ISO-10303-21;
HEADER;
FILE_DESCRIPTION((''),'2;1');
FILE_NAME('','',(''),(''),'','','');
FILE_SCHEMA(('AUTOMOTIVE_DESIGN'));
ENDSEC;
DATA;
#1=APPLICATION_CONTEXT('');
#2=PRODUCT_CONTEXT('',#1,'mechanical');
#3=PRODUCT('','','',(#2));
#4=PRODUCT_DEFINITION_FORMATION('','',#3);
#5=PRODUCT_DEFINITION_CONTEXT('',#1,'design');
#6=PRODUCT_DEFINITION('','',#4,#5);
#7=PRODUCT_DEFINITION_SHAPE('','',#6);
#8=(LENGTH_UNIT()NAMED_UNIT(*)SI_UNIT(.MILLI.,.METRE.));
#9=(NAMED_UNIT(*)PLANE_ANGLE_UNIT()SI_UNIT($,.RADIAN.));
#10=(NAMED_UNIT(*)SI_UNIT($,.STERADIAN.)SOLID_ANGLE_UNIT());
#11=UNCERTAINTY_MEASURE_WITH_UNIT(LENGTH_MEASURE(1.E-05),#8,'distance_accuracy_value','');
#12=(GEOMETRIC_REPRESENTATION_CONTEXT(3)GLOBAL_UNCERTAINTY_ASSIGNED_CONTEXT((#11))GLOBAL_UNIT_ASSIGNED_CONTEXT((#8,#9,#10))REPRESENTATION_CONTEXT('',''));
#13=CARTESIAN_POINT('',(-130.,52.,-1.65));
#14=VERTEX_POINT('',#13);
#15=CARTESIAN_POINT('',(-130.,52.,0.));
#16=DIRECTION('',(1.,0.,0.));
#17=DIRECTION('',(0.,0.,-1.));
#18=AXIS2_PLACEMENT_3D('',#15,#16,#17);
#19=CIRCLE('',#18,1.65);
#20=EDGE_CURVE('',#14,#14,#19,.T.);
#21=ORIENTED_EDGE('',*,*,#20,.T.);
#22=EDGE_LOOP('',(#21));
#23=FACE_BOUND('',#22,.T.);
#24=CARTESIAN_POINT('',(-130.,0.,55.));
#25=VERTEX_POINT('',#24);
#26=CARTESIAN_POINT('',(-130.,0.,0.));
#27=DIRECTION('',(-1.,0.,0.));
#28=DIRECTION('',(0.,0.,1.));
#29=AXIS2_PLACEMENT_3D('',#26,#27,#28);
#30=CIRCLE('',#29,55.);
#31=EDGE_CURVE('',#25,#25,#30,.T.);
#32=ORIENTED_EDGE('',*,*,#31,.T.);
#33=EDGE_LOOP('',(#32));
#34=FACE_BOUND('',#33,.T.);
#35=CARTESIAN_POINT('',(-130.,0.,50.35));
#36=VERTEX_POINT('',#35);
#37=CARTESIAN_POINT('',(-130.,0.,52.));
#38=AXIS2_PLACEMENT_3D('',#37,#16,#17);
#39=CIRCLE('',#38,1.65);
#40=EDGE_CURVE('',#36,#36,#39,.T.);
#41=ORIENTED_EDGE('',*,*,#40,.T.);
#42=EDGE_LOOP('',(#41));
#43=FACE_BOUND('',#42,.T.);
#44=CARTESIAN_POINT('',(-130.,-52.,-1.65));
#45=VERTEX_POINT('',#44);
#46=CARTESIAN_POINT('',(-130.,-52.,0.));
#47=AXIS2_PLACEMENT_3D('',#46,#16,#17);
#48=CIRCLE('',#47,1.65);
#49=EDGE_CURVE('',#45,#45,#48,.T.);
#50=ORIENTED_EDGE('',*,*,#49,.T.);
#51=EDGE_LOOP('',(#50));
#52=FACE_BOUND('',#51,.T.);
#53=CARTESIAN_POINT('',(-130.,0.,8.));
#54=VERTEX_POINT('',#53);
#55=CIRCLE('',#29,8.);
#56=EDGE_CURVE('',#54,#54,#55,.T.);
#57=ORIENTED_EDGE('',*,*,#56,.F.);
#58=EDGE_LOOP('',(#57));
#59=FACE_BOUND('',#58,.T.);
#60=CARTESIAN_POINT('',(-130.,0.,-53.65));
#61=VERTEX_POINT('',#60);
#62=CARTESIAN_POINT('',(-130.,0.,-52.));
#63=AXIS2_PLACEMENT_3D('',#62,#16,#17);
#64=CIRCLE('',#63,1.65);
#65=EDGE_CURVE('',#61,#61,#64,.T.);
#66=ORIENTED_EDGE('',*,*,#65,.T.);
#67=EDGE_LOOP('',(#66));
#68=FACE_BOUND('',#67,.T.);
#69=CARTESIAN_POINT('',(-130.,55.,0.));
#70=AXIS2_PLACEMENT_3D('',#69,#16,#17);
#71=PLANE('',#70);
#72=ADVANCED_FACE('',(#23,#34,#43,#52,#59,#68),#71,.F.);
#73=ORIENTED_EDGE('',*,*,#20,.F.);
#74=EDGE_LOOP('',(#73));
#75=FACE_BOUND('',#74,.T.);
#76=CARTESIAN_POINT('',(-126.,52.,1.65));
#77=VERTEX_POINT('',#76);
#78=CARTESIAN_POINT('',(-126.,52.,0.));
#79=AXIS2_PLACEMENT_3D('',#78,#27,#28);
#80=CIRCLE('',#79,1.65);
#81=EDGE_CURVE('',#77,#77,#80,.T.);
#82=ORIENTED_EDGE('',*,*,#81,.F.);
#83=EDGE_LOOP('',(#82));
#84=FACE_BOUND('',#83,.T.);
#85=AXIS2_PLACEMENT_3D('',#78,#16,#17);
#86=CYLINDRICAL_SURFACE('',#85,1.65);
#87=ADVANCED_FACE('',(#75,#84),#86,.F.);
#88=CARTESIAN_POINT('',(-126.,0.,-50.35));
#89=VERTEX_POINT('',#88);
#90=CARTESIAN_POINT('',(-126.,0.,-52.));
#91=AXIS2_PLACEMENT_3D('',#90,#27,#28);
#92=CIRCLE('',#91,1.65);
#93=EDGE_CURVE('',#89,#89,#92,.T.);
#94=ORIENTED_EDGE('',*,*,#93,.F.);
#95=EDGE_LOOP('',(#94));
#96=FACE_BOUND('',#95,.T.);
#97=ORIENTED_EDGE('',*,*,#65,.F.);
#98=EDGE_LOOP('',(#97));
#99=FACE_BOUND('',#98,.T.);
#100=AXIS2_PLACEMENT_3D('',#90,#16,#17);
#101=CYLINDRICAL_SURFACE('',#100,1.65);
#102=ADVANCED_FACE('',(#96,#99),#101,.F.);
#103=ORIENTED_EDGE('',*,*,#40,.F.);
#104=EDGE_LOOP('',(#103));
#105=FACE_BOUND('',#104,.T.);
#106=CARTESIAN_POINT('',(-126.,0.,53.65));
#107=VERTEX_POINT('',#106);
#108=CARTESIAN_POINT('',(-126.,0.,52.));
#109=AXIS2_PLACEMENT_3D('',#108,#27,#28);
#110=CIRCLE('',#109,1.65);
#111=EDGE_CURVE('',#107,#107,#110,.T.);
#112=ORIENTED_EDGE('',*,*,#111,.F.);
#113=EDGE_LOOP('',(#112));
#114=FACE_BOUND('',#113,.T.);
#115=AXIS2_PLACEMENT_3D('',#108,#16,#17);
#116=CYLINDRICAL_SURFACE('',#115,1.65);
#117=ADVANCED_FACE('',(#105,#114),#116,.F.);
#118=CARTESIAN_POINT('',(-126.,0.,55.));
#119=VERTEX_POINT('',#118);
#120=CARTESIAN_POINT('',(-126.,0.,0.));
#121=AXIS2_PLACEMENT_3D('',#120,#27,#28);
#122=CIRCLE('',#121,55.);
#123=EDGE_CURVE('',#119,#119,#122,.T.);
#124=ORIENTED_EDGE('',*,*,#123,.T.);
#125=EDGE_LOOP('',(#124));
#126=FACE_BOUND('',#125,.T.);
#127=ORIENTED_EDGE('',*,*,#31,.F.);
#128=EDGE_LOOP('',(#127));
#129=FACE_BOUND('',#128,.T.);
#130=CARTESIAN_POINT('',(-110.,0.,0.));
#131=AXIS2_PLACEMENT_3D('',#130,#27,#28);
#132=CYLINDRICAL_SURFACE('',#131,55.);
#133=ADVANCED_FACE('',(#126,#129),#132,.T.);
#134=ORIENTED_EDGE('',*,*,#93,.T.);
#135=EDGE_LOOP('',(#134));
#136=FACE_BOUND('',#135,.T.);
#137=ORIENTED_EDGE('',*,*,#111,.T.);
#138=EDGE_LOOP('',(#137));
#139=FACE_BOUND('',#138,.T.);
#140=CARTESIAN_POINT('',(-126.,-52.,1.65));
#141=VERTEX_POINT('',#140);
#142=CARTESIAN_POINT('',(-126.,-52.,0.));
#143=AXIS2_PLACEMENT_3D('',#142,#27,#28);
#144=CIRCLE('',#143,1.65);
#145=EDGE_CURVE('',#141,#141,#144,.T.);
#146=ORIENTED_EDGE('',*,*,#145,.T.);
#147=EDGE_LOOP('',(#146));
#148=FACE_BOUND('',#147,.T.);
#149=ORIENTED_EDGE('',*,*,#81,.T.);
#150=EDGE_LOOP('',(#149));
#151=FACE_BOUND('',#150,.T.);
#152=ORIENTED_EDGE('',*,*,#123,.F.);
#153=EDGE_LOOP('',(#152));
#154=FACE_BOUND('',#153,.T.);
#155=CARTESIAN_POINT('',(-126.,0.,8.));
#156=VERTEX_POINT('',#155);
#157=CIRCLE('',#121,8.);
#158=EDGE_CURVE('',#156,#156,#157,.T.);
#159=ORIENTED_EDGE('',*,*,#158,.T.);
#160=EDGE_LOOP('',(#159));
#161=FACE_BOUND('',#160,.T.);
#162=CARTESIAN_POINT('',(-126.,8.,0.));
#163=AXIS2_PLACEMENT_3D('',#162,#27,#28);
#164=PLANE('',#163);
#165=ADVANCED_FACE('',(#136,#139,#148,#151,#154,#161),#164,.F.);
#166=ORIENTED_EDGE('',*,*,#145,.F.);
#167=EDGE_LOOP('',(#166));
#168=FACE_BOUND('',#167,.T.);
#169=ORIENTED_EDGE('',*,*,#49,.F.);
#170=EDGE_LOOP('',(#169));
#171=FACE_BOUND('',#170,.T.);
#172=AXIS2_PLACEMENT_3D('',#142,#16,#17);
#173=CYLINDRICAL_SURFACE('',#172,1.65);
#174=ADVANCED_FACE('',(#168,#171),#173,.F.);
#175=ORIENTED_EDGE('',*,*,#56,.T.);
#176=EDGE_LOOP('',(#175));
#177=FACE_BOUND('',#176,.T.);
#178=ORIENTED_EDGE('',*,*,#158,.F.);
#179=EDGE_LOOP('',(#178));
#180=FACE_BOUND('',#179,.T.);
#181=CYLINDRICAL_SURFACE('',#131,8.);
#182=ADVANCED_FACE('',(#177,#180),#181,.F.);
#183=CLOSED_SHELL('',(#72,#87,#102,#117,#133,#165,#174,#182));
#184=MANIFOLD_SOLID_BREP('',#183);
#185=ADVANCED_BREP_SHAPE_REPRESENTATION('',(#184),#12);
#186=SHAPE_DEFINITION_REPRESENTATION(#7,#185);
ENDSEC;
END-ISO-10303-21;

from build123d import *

# Parameters (mm, degrees)
AXIAL_PROFILE_MM_W     = 4
AXIAL_PROFILE_MM_H     = 47
AXIAL_HOLES_DEPTH      = 152.492574075
AXIAL_HOLES_DEPTH_BACK = 152.492574075
SKETCH2_R              = 1.65


with BuildPart() as part:
    # Axial profile (mm) → Full revolution (revolve)
    with BuildSketch(Plane.XY, mode=Mode.PRIVATE) as full_revolution_sk:
        with Locations((-128, 31.5)):
            Rectangle(AXIAL_PROFILE_MM_W, AXIAL_PROFILE_MM_H)
    revolve(full_revolution_sk.sketch.rotate(Axis((-110, 0, 0), (1, 0, 0)), 90), axis=Axis((-110, 0, 0), (1, 0, 0)))

    # Sketch2 → Axial holes (cut, two sides: drawn at the far end of the back side and taken through both)
    with BuildSketch(Plane(origin=(0, 0, 0), x_dir=(0, 0, -1), z_dir=(1, 0, 0)).offset(-AXIAL_HOLES_DEPTH_BACK)):
        with Locations((0, 52)):
            Circle(SKETCH2_R)
        with Locations((-52, 0)):
            Circle(SKETCH2_R)
        with Locations((0, -52)):
            Circle(SKETCH2_R)
        with Locations((52, 0)):
            Circle(SKETCH2_R)
    extrude(amount=AXIAL_HOLES_DEPTH + AXIAL_HOLES_DEPTH_BACK, mode=Mode.SUBTRACT)


solid = part.part
